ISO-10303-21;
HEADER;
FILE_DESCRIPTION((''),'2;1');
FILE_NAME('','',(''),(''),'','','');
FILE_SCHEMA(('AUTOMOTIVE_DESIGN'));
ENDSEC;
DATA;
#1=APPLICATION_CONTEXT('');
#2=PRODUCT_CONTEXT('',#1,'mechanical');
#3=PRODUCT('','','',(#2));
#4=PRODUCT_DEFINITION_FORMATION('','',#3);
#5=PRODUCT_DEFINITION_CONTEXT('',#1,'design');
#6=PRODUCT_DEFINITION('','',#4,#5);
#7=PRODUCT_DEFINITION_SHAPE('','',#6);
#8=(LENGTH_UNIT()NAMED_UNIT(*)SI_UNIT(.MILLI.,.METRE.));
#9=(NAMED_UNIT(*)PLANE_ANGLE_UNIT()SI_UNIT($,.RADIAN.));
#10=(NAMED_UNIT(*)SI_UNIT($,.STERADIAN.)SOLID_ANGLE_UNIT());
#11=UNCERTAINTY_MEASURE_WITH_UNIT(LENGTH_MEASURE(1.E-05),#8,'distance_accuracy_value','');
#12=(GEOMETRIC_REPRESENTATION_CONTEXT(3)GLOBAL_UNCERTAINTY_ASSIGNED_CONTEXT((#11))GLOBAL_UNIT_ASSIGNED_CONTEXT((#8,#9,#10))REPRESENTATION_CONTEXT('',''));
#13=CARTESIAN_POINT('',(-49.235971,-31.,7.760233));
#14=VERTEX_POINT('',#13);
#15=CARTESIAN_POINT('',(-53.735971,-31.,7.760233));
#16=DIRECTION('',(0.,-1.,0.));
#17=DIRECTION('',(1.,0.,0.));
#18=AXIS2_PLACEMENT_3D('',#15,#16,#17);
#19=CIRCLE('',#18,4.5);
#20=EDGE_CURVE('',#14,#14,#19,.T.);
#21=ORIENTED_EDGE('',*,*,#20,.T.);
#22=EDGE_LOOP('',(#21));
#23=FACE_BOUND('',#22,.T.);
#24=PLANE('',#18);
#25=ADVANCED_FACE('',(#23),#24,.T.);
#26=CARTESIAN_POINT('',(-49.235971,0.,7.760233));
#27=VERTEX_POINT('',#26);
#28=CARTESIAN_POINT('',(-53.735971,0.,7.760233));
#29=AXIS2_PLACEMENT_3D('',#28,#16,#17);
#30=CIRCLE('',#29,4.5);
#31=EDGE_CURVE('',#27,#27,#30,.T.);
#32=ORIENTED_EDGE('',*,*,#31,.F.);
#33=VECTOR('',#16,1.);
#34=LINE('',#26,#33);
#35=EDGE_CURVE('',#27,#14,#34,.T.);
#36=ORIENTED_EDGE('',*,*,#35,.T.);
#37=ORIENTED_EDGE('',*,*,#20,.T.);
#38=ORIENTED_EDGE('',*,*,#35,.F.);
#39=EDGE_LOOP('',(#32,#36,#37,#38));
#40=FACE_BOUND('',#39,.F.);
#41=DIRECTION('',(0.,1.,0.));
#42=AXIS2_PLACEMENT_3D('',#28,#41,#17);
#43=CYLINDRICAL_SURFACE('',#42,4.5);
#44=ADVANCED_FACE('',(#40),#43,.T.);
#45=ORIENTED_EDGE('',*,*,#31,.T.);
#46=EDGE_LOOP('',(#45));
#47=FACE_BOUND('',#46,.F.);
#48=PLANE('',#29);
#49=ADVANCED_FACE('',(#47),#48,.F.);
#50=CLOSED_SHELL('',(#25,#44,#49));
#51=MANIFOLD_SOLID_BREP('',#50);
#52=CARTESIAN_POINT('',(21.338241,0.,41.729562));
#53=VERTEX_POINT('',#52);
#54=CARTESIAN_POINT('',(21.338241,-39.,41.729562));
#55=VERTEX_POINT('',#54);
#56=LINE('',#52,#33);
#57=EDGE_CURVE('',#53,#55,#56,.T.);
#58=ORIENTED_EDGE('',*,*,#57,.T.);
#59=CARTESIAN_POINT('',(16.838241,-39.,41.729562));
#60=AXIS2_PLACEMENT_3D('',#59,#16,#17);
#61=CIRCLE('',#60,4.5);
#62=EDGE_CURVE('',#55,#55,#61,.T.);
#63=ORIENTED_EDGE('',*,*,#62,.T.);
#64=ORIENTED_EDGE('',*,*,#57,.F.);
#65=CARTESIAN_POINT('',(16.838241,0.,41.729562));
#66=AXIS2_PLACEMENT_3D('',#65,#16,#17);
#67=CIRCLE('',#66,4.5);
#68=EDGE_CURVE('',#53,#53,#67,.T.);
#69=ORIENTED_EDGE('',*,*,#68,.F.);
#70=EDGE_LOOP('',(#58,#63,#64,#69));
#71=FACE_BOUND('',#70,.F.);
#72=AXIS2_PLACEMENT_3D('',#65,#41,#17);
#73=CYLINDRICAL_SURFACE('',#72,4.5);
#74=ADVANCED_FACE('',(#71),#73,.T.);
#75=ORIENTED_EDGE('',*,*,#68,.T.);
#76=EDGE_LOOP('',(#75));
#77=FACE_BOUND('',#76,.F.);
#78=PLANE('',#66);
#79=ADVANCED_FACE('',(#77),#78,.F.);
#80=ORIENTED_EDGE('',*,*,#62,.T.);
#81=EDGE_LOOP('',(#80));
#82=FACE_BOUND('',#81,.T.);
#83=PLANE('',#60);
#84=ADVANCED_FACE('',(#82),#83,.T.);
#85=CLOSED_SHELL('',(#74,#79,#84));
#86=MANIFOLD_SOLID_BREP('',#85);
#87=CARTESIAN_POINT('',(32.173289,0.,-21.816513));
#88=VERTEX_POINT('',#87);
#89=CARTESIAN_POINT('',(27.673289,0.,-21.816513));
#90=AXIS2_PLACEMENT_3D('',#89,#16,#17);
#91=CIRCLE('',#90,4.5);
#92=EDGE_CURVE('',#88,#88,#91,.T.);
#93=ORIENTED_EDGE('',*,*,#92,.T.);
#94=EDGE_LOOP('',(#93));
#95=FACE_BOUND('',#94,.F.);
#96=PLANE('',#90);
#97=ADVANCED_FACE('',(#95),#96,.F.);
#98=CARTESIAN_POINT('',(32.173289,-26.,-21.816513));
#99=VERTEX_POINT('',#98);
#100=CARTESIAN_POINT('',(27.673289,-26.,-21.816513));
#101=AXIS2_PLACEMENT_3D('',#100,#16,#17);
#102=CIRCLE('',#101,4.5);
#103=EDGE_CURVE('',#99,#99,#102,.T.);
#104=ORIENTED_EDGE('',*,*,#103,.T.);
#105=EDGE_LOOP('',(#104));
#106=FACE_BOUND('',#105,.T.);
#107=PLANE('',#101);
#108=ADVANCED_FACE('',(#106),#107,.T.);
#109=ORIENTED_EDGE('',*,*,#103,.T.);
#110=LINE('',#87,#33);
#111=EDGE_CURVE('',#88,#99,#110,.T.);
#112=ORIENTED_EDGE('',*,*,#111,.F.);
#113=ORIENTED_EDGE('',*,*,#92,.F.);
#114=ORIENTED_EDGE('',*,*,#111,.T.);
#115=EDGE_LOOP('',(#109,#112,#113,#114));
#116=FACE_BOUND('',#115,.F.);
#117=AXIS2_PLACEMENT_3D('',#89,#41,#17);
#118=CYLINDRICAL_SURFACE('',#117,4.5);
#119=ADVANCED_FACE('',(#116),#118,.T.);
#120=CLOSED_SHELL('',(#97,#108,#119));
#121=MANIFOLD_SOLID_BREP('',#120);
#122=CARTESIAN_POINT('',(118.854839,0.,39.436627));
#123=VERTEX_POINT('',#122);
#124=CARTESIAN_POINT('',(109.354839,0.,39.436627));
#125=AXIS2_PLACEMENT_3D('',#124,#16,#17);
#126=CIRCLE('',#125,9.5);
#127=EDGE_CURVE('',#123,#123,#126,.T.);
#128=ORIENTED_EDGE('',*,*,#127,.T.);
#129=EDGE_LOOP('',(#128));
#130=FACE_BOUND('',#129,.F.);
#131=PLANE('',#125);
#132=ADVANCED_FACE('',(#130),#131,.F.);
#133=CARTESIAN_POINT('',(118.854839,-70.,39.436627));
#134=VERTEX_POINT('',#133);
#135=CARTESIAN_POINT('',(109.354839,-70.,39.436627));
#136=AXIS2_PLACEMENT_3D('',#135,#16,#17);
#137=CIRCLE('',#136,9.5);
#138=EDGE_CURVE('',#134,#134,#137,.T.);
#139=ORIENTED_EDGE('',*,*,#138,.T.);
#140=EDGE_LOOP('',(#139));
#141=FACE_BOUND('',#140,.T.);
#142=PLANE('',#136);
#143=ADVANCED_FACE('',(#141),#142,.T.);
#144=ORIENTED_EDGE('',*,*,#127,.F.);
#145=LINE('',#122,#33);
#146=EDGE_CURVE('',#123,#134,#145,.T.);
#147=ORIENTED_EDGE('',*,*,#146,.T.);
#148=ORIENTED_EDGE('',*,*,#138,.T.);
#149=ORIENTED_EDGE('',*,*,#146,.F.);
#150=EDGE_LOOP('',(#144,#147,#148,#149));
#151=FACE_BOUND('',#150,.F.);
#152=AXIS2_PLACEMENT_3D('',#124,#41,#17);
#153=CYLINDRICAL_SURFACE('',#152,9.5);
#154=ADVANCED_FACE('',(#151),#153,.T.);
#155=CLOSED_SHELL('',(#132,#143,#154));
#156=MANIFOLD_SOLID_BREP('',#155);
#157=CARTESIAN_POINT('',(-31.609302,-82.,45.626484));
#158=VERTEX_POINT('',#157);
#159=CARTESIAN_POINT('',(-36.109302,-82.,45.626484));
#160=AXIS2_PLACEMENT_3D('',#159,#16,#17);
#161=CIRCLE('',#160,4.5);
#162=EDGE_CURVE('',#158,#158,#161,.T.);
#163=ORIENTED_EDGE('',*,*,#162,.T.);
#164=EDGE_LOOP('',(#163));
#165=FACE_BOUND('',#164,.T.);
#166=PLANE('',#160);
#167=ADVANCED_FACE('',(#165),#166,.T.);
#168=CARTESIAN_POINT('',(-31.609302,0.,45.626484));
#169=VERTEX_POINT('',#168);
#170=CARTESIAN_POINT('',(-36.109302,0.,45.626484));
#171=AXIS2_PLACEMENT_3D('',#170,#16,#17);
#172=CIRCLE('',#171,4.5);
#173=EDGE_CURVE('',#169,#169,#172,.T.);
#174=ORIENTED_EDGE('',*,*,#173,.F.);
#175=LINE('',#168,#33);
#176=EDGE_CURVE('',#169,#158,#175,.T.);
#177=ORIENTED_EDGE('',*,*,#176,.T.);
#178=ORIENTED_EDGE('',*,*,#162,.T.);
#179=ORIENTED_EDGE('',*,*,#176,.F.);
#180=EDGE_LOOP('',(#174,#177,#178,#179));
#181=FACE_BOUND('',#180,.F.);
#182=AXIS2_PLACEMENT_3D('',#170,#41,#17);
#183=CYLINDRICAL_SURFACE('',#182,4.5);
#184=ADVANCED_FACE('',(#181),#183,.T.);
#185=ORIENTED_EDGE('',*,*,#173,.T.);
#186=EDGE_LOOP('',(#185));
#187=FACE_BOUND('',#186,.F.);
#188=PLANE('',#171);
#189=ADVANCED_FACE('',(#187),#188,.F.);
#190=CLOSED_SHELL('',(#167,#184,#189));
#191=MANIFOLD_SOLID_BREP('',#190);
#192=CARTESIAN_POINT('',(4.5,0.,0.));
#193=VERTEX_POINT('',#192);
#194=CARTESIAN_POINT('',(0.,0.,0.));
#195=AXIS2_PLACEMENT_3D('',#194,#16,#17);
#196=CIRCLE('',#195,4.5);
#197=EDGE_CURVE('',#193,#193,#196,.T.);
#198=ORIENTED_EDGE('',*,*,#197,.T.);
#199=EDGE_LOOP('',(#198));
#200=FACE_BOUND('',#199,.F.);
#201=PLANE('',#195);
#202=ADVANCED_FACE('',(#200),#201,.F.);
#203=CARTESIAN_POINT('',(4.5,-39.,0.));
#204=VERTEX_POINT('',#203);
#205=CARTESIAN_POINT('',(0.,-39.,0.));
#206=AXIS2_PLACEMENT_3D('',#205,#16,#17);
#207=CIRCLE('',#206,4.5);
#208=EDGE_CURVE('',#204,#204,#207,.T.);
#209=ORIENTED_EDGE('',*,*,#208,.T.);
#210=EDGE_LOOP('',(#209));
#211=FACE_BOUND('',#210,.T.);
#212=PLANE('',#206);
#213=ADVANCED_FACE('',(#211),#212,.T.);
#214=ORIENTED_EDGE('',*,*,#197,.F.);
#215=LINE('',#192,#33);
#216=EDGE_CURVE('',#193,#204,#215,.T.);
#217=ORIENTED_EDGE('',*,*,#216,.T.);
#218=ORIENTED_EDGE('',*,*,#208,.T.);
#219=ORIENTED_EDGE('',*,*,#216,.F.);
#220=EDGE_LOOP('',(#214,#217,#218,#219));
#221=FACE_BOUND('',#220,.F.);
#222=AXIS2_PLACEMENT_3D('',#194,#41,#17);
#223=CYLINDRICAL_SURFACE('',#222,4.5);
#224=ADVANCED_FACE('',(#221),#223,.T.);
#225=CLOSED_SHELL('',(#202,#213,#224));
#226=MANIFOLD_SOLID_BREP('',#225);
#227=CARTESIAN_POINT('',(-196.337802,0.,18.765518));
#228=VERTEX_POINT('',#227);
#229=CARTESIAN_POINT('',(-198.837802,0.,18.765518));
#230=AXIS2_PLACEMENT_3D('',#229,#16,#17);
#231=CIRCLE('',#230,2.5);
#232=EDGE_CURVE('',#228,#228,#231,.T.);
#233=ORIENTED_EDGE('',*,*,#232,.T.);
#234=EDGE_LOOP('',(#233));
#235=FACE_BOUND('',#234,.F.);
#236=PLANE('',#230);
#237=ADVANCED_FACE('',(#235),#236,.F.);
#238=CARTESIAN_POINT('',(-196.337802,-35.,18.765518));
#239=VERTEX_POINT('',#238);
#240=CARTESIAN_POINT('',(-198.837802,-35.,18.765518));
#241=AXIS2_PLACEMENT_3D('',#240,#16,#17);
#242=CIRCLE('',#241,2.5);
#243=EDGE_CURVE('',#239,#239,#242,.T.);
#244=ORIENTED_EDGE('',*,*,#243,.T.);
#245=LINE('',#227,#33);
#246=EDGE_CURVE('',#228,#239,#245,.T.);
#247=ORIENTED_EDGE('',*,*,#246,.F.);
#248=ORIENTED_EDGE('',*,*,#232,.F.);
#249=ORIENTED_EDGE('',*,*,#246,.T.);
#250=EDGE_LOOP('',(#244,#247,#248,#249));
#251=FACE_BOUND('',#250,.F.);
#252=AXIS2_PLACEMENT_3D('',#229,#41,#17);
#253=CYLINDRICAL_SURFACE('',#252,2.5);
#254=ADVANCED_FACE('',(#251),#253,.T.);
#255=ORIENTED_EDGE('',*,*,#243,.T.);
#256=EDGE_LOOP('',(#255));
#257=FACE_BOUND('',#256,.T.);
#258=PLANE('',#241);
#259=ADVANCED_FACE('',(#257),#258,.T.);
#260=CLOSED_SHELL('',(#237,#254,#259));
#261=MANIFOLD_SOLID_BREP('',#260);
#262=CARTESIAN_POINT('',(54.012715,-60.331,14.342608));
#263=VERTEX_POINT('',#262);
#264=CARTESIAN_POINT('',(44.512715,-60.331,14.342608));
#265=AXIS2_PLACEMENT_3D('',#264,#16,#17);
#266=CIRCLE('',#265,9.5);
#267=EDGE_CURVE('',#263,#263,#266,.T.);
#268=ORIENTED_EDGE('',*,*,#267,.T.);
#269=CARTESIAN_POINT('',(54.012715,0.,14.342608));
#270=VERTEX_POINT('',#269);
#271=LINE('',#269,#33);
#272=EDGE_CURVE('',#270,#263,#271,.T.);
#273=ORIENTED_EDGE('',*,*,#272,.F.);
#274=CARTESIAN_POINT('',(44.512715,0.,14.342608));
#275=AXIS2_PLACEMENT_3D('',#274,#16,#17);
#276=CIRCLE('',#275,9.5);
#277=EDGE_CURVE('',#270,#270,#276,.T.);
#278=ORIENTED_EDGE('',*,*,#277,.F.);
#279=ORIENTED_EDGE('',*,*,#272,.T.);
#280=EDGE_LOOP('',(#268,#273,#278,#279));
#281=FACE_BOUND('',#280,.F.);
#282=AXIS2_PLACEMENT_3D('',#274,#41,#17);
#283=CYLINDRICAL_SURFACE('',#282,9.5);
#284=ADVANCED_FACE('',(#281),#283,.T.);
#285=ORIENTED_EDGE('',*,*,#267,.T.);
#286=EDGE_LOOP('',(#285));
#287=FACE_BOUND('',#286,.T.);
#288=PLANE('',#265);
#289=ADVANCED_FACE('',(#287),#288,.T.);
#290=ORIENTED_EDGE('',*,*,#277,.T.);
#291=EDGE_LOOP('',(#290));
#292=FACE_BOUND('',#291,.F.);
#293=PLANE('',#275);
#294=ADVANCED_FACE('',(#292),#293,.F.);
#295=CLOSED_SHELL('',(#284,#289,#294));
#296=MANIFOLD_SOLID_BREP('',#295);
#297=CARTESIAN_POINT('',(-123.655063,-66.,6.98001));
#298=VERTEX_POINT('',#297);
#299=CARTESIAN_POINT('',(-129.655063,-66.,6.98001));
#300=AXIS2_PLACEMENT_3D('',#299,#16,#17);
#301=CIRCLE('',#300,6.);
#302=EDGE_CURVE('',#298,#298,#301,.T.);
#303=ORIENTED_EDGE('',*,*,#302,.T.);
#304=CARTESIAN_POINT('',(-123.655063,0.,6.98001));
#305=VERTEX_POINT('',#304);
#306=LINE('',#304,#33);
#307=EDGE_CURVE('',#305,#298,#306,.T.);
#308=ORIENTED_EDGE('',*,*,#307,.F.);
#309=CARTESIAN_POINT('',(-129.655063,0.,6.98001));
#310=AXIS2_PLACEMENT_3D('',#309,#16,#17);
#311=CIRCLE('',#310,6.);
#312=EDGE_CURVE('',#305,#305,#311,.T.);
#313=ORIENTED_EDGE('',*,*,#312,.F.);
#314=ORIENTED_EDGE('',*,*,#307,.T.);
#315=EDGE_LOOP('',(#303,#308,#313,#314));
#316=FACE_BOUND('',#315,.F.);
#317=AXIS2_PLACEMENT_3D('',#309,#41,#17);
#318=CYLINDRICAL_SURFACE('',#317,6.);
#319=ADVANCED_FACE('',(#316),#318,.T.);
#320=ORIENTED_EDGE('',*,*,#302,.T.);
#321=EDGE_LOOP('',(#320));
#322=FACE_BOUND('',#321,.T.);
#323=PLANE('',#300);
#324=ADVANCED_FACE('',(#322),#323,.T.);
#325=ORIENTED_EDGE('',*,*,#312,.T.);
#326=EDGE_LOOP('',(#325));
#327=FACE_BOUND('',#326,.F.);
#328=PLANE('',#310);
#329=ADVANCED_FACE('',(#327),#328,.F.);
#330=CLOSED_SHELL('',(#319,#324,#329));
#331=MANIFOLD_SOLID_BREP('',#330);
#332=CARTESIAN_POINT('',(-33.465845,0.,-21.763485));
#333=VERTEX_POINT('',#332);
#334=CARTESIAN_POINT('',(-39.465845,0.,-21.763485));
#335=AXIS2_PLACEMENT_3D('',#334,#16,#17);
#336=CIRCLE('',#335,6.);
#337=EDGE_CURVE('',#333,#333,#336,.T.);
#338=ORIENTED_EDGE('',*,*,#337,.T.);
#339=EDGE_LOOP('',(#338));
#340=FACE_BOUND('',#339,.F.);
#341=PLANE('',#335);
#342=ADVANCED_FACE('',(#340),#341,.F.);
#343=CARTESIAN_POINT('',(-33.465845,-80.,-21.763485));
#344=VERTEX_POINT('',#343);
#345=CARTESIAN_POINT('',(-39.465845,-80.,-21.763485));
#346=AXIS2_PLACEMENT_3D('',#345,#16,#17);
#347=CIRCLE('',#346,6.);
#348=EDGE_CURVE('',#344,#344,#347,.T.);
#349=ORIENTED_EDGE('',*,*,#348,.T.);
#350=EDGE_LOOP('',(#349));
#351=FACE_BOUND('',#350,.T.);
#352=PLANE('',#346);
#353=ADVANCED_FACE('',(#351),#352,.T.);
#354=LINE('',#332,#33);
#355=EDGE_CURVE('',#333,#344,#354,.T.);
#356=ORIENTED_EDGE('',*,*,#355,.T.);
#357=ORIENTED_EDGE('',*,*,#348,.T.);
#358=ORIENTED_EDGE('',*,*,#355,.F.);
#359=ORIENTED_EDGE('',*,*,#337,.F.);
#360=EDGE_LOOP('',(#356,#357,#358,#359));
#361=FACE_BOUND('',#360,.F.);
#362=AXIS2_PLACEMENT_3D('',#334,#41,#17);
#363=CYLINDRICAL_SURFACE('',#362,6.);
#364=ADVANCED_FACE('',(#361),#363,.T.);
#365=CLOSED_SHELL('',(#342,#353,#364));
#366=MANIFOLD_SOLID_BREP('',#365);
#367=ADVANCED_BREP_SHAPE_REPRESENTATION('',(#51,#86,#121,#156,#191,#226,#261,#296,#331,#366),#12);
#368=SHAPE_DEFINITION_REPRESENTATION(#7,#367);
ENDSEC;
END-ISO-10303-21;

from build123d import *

# Parameters (mm, degrees)
F0_R      = 4.5
F1_DEPTH  = 39
F2_R      = 4.5
F3_DEPTH  = 82
F4_R      = 9.5
F5_DEPTH  = 60.331
F6_R      = 4.5
F7_DEPTH  = 31
F8_R      = 6
F9_DEPTH  = 80
F10_R     = 4.5
F11_DEPTH = 26
F12_R     = 4.5
F13_DEPTH = 39
F14_R     = 9.5
F15_DEPTH = 70
F16_R     = 6
F17_DEPTH = 66
F18_R     = 2.5
F19_DEPTH = 35


with BuildPart() as f1:
    # F0 (on Front) → F1 (new body)
    with BuildSketch(Plane.XZ):
        Circle(F0_R)
    extrude(amount=F1_DEPTH)


with BuildPart() as f3:
    # F2 (on Front) → F3 (new body)
    with BuildSketch(Plane.XZ):
        with Locations((-36.109302, 45.626484)):
            Circle(F2_R)
    extrude(amount=F3_DEPTH)


with BuildPart() as f5:
    # F4 (on Front) → F5 (new body)
    with BuildSketch(Plane.XZ):
        with Locations((44.512715, 14.342608)):
            Circle(F4_R)
    extrude(amount=F5_DEPTH)


with BuildPart() as f7:
    # F6 (on Front) → F7 (new body)
    with BuildSketch(Plane.XZ):
        with Locations((-53.735971, 7.760233)):
            Circle(F6_R)
    extrude(amount=F7_DEPTH)


with BuildPart() as f9:
    # F8 (on Front) → F9 (new body)
    with BuildSketch(Plane.XZ):
        with Locations((-39.465845, -21.763485)):
            Circle(F8_R)
    extrude(amount=F9_DEPTH)


with BuildPart() as f11:
    # F10 (on Front) → F11 (new body)
    with BuildSketch(Plane.XZ):
        with Locations((27.673289, -21.816513)):
            Circle(F10_R)
    extrude(amount=F11_DEPTH)


with BuildPart() as f13:
    # F12 (on Front) → F13 (new body)
    with BuildSketch(Plane.XZ):
        with Locations((16.838241, 41.729562)):
            Circle(F12_R)
    extrude(amount=F13_DEPTH)


with BuildPart() as f15:
    # F14 (on Front) → F15 (new body)
    with BuildSketch(Plane.XZ):
        with Locations((109.354839, 39.436627)):
            Circle(F14_R)
    extrude(amount=F15_DEPTH)


with BuildPart() as f17:
    # F16 (on Front) → F17 (new body)
    with BuildSketch(Plane.XZ):
        with Locations((-129.655063, 6.98001)):
            Circle(F16_R)
    extrude(amount=F17_DEPTH)


with BuildPart() as f19:
    # F18 (on Front) → F19 (new body)
    with BuildSketch(Plane.XZ):
        with Locations((-198.837802, 18.765518)):
            Circle(F18_R)
    extrude(amount=F19_DEPTH)


solid = Compound([f1.part, f3.part, f5.part, f7.part, f9.part, f11.part, f13.part, f15.part, f17.part, f19.part])
